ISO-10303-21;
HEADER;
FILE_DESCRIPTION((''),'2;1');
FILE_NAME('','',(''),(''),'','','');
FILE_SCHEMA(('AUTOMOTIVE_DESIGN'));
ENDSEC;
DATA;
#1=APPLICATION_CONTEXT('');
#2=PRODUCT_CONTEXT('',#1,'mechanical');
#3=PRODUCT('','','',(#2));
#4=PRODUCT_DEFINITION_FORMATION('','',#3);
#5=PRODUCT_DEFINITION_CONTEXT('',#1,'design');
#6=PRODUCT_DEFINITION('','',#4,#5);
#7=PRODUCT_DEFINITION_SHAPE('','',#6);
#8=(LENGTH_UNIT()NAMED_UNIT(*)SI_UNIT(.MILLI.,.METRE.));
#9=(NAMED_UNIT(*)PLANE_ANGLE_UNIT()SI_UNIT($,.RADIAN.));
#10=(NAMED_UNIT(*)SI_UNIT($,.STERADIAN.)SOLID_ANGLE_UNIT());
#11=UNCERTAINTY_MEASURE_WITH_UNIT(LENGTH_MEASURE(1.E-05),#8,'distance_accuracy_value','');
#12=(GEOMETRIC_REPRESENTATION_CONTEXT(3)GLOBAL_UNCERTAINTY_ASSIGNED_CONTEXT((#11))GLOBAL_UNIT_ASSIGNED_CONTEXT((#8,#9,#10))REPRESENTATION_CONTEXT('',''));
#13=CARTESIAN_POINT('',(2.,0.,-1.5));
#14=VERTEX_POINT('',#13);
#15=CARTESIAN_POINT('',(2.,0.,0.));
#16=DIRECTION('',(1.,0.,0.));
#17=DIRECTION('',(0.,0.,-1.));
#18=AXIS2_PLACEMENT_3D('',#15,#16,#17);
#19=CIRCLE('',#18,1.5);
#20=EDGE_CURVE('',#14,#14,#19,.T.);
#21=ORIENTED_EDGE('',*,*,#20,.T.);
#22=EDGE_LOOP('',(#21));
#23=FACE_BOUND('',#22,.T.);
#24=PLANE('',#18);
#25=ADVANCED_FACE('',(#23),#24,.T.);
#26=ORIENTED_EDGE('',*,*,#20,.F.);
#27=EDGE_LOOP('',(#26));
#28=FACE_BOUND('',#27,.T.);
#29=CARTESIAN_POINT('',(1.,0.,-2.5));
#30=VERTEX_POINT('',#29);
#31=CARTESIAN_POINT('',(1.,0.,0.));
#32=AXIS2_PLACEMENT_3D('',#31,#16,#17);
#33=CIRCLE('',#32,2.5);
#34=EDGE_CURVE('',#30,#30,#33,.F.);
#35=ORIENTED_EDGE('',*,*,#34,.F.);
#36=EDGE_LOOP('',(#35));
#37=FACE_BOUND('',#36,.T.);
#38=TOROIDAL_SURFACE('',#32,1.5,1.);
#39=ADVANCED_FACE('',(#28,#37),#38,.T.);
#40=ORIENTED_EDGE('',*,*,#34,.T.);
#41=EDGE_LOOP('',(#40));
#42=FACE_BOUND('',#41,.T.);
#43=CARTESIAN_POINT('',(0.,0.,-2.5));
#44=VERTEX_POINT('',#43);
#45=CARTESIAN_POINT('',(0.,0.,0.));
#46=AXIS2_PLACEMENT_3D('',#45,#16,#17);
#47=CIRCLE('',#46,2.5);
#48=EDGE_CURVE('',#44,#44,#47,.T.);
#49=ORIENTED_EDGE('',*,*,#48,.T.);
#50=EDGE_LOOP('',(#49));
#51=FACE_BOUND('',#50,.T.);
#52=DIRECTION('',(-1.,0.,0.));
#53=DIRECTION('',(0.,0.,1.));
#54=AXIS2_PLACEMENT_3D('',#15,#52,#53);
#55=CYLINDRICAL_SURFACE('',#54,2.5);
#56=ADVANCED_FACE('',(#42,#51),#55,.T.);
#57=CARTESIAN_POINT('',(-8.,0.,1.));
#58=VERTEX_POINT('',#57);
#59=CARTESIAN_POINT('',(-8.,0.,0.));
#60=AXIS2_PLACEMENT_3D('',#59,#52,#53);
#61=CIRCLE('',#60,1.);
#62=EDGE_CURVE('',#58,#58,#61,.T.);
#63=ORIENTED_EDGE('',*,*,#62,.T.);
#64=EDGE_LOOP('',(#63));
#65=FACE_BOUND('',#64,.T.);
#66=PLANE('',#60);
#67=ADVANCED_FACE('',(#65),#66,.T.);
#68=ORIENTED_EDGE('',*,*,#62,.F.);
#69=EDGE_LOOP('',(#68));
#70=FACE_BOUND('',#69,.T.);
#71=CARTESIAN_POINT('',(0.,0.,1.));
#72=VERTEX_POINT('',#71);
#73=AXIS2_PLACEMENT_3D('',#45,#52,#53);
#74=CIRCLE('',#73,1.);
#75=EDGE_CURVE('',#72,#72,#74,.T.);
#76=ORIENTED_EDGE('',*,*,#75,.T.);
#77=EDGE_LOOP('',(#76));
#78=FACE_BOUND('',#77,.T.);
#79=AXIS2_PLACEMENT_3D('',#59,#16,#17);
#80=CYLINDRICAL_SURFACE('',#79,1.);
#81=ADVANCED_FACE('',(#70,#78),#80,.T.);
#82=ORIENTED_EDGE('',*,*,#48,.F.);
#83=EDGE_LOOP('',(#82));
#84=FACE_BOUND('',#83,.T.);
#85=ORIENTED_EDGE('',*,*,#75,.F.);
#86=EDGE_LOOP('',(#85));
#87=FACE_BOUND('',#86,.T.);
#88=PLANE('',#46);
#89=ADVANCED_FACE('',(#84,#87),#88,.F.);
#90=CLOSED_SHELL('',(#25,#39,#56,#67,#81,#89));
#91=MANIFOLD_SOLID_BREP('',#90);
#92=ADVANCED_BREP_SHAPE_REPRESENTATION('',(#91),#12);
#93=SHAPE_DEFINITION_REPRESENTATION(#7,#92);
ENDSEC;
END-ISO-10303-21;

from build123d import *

# Parameters (mm, degrees)
SKIZZE1_R                       = 2.5
AUFSATZ_LINEAR_AUSTRAGEN1_DEPTH = 2
SKIZZE2_R                       = 1
AUFSATZ_LINEAR_AUSTRAGEN2_DEPTH = 8
VERRUNDUNG1_R                   = 1


with BuildPart() as part:
    # Skizze1 → Aufsatz-Linear austragen1 (new body)
    with BuildSketch(Plane(origin=(0, 0, 0), x_dir=(0, 0, -1), z_dir=(1, 0, 0))):
        Circle(SKIZZE1_R)
    extrude(amount=AUFSATZ_LINEAR_AUSTRAGEN1_DEPTH)

    # Skizze2 → Aufsatz-Linear austragen2 (add)
    with BuildSketch(Plane.ZY):
        Circle(SKIZZE2_R)
    extrude(amount=AUFSATZ_LINEAR_AUSTRAGEN2_DEPTH)

    # Verrundung1
    verrundung1_edges = [part.edges().sort_by_distance(p)[0] for p in [
        (2, 0, 2.5),
    ]]
    fillet(verrundung1_edges, radius=VERRUNDUNG1_R)


solid = part.part
